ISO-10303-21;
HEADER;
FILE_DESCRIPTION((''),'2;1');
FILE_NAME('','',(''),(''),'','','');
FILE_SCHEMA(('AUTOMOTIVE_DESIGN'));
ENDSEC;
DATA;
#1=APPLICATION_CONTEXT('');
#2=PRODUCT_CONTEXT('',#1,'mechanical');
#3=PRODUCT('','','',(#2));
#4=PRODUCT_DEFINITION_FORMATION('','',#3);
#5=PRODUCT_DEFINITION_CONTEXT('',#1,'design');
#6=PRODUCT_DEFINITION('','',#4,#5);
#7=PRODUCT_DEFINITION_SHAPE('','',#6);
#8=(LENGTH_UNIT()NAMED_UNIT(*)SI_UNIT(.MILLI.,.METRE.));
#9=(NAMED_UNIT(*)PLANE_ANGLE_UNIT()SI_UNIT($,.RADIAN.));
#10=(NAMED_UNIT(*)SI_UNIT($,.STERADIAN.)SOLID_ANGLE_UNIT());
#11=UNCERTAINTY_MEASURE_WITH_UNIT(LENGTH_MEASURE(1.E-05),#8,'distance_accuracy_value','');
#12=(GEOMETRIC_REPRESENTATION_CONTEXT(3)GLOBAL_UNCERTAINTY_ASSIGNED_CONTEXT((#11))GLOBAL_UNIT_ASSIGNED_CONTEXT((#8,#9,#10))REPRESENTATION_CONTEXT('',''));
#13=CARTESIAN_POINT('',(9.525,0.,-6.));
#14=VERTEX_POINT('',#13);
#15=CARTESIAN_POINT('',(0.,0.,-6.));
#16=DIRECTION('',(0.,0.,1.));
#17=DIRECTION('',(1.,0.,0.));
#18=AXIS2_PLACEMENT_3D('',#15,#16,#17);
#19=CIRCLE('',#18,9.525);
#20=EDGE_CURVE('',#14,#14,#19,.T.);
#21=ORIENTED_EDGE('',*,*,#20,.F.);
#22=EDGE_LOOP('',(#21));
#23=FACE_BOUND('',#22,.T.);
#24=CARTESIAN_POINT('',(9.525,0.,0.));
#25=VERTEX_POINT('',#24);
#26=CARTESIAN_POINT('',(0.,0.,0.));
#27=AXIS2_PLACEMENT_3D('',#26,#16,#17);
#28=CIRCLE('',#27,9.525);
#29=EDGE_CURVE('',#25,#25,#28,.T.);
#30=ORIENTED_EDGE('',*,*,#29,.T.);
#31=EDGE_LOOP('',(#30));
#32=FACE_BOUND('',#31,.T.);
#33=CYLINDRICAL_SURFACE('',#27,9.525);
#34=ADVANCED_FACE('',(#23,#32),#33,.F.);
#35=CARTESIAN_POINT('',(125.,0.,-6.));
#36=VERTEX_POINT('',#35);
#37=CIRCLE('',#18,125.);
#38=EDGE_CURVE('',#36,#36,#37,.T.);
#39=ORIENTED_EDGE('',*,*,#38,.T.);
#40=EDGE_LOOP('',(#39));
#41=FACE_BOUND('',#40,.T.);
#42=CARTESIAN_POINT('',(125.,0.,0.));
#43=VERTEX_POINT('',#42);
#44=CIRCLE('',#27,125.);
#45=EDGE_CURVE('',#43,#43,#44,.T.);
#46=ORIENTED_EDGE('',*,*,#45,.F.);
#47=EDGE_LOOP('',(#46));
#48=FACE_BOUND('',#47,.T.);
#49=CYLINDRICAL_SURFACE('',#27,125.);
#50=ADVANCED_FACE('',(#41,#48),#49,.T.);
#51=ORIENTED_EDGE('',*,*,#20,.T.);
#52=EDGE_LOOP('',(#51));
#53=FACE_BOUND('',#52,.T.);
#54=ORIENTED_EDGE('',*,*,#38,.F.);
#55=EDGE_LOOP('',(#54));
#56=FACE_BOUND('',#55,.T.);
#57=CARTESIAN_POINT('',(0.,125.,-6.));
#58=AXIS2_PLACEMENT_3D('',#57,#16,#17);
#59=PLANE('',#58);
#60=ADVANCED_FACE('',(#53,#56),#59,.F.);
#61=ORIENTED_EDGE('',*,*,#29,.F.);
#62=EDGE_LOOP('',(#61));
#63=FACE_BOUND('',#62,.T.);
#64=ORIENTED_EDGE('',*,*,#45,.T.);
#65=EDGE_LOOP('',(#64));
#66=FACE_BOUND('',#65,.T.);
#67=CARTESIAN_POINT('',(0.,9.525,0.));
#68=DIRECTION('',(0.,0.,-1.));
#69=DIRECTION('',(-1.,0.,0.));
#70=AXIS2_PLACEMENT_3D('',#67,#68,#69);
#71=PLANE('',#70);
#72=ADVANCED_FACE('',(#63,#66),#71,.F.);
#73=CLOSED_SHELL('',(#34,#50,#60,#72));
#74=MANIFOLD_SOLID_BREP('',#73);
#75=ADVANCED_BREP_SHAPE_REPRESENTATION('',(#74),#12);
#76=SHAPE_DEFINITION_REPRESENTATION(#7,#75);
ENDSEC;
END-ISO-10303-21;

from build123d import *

# Parameters (mm, degrees)
SKETCH1_W = 6
SKETCH1_H = 115.475


with BuildPart() as part:
    # Sketch1 → Revolve1 (revolve)
    with BuildSketch(Plane(origin=(0, 0, 0), x_dir=(0, 0, -1), z_dir=(1, 0, 0)), mode=Mode.PRIVATE) as revolve1_sk:
        with Locations((3, 67.2625)):
            Rectangle(SKETCH1_W, SKETCH1_H)
    revolve(revolve1_sk.sketch.rotate(Axis((0, 0, 0), (0, 0, -1)), 90), axis=Axis((0, 0, 0), (0, 0, -1)))


solid = part.part
